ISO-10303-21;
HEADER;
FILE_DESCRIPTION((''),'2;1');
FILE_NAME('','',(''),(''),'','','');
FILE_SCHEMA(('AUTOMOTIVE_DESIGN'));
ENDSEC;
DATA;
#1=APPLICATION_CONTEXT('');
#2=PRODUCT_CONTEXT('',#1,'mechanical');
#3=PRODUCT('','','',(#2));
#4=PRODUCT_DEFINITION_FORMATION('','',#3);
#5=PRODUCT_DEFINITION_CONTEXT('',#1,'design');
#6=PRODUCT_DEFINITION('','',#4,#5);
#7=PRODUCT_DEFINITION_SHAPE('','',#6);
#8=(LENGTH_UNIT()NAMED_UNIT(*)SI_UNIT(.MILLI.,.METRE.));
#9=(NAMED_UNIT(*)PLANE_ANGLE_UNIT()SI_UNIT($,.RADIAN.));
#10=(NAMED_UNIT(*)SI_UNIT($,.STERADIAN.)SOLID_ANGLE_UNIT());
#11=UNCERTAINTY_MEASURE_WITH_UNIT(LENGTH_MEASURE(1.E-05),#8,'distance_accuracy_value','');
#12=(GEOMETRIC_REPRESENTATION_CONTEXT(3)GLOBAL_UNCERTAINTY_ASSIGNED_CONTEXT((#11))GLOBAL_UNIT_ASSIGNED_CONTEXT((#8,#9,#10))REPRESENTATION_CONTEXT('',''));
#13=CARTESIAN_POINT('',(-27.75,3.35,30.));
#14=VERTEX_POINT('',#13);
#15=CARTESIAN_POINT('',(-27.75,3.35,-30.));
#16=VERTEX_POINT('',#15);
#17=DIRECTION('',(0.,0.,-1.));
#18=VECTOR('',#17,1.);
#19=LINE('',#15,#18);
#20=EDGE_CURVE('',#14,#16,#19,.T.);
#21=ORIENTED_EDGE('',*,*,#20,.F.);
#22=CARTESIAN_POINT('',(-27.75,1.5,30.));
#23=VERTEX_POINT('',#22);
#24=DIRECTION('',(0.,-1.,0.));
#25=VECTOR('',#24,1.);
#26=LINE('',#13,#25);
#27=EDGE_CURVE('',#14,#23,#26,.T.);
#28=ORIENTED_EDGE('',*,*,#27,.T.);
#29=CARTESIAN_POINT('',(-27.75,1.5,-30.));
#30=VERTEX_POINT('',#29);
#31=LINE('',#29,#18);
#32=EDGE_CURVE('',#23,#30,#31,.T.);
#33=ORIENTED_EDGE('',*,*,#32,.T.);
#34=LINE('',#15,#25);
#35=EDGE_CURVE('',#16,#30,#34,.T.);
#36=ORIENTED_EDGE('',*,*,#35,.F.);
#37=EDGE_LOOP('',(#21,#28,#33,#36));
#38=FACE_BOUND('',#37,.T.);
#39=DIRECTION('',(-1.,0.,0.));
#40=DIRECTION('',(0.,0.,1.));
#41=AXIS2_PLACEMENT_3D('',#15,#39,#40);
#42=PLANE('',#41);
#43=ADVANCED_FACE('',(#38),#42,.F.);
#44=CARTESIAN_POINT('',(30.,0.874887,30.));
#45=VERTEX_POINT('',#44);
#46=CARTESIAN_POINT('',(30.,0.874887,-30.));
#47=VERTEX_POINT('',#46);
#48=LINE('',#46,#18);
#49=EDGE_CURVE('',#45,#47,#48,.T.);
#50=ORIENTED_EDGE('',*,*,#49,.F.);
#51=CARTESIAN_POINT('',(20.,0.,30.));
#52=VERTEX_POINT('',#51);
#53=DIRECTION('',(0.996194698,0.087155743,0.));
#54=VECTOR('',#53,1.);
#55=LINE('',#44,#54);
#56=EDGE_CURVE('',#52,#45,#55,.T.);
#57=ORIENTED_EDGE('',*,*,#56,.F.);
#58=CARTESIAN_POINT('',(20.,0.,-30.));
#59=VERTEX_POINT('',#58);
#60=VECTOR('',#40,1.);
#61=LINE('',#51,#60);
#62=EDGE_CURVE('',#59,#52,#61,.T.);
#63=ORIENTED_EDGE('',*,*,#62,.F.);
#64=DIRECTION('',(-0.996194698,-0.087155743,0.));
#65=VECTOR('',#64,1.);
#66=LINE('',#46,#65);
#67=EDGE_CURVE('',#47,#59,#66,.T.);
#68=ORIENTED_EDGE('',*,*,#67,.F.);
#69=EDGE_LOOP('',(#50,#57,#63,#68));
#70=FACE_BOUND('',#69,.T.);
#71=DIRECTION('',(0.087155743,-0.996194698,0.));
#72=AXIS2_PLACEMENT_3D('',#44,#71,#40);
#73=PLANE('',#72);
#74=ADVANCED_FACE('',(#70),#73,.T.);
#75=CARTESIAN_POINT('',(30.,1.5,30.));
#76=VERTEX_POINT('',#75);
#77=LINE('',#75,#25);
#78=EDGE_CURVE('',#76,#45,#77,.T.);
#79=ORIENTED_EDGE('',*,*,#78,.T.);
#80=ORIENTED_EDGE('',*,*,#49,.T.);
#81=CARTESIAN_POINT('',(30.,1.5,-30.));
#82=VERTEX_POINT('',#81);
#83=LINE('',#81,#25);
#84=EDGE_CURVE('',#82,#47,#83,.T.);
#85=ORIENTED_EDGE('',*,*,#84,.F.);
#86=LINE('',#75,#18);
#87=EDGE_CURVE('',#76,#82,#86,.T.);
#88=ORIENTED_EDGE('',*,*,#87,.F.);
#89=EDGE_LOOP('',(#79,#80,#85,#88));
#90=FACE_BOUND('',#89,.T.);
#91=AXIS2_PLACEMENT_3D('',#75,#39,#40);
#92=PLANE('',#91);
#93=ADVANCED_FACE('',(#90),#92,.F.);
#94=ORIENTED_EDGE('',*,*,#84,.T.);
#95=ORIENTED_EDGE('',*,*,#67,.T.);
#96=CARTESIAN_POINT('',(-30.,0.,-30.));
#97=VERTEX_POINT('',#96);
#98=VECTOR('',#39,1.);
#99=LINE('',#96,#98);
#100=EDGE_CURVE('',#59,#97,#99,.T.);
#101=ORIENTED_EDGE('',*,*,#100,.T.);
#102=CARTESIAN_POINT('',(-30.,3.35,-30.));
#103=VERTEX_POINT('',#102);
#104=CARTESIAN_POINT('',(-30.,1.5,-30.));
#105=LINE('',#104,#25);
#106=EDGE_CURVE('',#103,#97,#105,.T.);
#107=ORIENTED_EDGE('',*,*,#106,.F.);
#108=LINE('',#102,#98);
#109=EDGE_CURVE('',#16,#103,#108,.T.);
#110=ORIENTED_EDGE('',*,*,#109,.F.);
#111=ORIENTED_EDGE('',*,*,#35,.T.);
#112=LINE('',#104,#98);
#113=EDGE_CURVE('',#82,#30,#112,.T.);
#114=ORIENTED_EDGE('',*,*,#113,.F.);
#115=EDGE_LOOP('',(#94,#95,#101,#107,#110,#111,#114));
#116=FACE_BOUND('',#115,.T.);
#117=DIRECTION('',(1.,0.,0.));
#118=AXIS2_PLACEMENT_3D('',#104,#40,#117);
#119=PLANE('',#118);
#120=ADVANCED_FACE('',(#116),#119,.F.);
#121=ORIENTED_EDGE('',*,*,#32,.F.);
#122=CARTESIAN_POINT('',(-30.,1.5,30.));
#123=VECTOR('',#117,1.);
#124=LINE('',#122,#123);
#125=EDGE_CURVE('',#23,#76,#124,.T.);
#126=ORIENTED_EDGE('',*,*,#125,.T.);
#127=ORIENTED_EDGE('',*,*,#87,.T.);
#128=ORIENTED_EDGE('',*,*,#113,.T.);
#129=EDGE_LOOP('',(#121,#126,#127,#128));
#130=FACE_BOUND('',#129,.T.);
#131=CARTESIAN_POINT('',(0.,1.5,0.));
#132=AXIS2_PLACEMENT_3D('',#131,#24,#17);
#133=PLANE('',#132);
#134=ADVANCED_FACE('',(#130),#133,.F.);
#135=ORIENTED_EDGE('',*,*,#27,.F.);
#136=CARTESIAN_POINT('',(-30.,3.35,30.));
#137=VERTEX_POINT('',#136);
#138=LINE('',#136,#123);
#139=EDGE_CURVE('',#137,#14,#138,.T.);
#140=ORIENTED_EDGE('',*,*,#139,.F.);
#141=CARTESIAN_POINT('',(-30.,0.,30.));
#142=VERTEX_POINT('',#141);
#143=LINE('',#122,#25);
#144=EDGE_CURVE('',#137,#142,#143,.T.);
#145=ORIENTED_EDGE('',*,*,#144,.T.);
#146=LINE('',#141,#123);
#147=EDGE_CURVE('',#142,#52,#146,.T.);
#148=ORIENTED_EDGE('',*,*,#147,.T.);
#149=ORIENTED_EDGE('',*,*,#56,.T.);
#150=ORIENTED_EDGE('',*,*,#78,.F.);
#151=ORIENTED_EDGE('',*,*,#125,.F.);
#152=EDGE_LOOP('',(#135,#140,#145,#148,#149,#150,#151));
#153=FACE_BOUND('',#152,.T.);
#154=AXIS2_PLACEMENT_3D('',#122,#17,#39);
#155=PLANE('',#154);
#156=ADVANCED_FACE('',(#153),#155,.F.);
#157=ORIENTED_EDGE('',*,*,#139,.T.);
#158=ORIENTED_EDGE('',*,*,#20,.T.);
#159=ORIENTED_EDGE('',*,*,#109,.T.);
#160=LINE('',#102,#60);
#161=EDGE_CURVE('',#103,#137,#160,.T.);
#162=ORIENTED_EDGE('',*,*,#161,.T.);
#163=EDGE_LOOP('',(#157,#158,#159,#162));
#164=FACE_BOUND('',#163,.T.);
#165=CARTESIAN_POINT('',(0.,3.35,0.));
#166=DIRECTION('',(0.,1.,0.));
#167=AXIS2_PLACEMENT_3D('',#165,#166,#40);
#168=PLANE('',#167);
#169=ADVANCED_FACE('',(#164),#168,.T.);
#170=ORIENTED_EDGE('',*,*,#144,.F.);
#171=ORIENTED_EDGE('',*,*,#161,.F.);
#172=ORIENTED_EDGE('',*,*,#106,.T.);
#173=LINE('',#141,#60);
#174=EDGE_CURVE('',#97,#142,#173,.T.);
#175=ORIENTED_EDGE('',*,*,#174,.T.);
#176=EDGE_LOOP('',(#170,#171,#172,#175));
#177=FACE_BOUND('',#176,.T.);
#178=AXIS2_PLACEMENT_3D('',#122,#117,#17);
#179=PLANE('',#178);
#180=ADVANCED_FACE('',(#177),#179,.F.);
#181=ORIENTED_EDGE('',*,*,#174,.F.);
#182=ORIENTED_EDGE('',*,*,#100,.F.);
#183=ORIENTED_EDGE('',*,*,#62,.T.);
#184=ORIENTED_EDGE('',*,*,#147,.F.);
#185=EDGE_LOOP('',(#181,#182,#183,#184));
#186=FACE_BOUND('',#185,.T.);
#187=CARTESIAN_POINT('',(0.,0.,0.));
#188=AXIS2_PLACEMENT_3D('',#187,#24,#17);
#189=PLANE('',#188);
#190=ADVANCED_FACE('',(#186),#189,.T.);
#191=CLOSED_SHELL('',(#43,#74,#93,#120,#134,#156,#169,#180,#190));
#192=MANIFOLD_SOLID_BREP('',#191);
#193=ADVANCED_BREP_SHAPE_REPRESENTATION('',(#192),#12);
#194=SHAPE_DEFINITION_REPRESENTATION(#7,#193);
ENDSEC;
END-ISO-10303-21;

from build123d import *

# Parameters (mm, degrees)
SKETCH1_W           = 60
SKETCH1_H           = 60
BOSS_EXTRUDE1_DEPTH = 1.5
SKETCH4_W           = 2.25
SKETCH4_H           = 60
BOSS_EXTRUDE2_DEPTH = 1.85
CHAMFER1_SIZE       = 10
CHAMFER1_SIZE2      = 0.874886635


with BuildPart() as part:
    # Sketch1 → Boss-Extrude1 (new body)
    with BuildSketch(Plane(origin=(0, 0, 0), x_dir=(1, 0, 0), z_dir=(0, 1, 0))):
        Rectangle(SKETCH1_W, SKETCH1_H)
    extrude(amount=BOSS_EXTRUDE1_DEPTH)

    # Sketch4 → Boss-Extrude2 (add)
    with BuildSketch(Plane(origin=(0, 1.5, 0), x_dir=(1, 0, 0), z_dir=(0, 1, 0))):
        with Locations((-28.875, 0)):
            Rectangle(SKETCH4_W, SKETCH4_H)
    extrude(amount=BOSS_EXTRUDE2_DEPTH)

    # Chamfer1
    chamfer1_edges = [part.edges().sort_by_distance(p)[0] for p in [
        (30, 0, 0),
    ]]
    chamfer1_side = [part.faces().sort_by_distance(p)[0] for p in [
        (0, 0, 0),
    ]]
    chamfer(chamfer1_edges, length=CHAMFER1_SIZE, length2=CHAMFER1_SIZE2, reference=chamfer1_side[0])


solid = part.part
